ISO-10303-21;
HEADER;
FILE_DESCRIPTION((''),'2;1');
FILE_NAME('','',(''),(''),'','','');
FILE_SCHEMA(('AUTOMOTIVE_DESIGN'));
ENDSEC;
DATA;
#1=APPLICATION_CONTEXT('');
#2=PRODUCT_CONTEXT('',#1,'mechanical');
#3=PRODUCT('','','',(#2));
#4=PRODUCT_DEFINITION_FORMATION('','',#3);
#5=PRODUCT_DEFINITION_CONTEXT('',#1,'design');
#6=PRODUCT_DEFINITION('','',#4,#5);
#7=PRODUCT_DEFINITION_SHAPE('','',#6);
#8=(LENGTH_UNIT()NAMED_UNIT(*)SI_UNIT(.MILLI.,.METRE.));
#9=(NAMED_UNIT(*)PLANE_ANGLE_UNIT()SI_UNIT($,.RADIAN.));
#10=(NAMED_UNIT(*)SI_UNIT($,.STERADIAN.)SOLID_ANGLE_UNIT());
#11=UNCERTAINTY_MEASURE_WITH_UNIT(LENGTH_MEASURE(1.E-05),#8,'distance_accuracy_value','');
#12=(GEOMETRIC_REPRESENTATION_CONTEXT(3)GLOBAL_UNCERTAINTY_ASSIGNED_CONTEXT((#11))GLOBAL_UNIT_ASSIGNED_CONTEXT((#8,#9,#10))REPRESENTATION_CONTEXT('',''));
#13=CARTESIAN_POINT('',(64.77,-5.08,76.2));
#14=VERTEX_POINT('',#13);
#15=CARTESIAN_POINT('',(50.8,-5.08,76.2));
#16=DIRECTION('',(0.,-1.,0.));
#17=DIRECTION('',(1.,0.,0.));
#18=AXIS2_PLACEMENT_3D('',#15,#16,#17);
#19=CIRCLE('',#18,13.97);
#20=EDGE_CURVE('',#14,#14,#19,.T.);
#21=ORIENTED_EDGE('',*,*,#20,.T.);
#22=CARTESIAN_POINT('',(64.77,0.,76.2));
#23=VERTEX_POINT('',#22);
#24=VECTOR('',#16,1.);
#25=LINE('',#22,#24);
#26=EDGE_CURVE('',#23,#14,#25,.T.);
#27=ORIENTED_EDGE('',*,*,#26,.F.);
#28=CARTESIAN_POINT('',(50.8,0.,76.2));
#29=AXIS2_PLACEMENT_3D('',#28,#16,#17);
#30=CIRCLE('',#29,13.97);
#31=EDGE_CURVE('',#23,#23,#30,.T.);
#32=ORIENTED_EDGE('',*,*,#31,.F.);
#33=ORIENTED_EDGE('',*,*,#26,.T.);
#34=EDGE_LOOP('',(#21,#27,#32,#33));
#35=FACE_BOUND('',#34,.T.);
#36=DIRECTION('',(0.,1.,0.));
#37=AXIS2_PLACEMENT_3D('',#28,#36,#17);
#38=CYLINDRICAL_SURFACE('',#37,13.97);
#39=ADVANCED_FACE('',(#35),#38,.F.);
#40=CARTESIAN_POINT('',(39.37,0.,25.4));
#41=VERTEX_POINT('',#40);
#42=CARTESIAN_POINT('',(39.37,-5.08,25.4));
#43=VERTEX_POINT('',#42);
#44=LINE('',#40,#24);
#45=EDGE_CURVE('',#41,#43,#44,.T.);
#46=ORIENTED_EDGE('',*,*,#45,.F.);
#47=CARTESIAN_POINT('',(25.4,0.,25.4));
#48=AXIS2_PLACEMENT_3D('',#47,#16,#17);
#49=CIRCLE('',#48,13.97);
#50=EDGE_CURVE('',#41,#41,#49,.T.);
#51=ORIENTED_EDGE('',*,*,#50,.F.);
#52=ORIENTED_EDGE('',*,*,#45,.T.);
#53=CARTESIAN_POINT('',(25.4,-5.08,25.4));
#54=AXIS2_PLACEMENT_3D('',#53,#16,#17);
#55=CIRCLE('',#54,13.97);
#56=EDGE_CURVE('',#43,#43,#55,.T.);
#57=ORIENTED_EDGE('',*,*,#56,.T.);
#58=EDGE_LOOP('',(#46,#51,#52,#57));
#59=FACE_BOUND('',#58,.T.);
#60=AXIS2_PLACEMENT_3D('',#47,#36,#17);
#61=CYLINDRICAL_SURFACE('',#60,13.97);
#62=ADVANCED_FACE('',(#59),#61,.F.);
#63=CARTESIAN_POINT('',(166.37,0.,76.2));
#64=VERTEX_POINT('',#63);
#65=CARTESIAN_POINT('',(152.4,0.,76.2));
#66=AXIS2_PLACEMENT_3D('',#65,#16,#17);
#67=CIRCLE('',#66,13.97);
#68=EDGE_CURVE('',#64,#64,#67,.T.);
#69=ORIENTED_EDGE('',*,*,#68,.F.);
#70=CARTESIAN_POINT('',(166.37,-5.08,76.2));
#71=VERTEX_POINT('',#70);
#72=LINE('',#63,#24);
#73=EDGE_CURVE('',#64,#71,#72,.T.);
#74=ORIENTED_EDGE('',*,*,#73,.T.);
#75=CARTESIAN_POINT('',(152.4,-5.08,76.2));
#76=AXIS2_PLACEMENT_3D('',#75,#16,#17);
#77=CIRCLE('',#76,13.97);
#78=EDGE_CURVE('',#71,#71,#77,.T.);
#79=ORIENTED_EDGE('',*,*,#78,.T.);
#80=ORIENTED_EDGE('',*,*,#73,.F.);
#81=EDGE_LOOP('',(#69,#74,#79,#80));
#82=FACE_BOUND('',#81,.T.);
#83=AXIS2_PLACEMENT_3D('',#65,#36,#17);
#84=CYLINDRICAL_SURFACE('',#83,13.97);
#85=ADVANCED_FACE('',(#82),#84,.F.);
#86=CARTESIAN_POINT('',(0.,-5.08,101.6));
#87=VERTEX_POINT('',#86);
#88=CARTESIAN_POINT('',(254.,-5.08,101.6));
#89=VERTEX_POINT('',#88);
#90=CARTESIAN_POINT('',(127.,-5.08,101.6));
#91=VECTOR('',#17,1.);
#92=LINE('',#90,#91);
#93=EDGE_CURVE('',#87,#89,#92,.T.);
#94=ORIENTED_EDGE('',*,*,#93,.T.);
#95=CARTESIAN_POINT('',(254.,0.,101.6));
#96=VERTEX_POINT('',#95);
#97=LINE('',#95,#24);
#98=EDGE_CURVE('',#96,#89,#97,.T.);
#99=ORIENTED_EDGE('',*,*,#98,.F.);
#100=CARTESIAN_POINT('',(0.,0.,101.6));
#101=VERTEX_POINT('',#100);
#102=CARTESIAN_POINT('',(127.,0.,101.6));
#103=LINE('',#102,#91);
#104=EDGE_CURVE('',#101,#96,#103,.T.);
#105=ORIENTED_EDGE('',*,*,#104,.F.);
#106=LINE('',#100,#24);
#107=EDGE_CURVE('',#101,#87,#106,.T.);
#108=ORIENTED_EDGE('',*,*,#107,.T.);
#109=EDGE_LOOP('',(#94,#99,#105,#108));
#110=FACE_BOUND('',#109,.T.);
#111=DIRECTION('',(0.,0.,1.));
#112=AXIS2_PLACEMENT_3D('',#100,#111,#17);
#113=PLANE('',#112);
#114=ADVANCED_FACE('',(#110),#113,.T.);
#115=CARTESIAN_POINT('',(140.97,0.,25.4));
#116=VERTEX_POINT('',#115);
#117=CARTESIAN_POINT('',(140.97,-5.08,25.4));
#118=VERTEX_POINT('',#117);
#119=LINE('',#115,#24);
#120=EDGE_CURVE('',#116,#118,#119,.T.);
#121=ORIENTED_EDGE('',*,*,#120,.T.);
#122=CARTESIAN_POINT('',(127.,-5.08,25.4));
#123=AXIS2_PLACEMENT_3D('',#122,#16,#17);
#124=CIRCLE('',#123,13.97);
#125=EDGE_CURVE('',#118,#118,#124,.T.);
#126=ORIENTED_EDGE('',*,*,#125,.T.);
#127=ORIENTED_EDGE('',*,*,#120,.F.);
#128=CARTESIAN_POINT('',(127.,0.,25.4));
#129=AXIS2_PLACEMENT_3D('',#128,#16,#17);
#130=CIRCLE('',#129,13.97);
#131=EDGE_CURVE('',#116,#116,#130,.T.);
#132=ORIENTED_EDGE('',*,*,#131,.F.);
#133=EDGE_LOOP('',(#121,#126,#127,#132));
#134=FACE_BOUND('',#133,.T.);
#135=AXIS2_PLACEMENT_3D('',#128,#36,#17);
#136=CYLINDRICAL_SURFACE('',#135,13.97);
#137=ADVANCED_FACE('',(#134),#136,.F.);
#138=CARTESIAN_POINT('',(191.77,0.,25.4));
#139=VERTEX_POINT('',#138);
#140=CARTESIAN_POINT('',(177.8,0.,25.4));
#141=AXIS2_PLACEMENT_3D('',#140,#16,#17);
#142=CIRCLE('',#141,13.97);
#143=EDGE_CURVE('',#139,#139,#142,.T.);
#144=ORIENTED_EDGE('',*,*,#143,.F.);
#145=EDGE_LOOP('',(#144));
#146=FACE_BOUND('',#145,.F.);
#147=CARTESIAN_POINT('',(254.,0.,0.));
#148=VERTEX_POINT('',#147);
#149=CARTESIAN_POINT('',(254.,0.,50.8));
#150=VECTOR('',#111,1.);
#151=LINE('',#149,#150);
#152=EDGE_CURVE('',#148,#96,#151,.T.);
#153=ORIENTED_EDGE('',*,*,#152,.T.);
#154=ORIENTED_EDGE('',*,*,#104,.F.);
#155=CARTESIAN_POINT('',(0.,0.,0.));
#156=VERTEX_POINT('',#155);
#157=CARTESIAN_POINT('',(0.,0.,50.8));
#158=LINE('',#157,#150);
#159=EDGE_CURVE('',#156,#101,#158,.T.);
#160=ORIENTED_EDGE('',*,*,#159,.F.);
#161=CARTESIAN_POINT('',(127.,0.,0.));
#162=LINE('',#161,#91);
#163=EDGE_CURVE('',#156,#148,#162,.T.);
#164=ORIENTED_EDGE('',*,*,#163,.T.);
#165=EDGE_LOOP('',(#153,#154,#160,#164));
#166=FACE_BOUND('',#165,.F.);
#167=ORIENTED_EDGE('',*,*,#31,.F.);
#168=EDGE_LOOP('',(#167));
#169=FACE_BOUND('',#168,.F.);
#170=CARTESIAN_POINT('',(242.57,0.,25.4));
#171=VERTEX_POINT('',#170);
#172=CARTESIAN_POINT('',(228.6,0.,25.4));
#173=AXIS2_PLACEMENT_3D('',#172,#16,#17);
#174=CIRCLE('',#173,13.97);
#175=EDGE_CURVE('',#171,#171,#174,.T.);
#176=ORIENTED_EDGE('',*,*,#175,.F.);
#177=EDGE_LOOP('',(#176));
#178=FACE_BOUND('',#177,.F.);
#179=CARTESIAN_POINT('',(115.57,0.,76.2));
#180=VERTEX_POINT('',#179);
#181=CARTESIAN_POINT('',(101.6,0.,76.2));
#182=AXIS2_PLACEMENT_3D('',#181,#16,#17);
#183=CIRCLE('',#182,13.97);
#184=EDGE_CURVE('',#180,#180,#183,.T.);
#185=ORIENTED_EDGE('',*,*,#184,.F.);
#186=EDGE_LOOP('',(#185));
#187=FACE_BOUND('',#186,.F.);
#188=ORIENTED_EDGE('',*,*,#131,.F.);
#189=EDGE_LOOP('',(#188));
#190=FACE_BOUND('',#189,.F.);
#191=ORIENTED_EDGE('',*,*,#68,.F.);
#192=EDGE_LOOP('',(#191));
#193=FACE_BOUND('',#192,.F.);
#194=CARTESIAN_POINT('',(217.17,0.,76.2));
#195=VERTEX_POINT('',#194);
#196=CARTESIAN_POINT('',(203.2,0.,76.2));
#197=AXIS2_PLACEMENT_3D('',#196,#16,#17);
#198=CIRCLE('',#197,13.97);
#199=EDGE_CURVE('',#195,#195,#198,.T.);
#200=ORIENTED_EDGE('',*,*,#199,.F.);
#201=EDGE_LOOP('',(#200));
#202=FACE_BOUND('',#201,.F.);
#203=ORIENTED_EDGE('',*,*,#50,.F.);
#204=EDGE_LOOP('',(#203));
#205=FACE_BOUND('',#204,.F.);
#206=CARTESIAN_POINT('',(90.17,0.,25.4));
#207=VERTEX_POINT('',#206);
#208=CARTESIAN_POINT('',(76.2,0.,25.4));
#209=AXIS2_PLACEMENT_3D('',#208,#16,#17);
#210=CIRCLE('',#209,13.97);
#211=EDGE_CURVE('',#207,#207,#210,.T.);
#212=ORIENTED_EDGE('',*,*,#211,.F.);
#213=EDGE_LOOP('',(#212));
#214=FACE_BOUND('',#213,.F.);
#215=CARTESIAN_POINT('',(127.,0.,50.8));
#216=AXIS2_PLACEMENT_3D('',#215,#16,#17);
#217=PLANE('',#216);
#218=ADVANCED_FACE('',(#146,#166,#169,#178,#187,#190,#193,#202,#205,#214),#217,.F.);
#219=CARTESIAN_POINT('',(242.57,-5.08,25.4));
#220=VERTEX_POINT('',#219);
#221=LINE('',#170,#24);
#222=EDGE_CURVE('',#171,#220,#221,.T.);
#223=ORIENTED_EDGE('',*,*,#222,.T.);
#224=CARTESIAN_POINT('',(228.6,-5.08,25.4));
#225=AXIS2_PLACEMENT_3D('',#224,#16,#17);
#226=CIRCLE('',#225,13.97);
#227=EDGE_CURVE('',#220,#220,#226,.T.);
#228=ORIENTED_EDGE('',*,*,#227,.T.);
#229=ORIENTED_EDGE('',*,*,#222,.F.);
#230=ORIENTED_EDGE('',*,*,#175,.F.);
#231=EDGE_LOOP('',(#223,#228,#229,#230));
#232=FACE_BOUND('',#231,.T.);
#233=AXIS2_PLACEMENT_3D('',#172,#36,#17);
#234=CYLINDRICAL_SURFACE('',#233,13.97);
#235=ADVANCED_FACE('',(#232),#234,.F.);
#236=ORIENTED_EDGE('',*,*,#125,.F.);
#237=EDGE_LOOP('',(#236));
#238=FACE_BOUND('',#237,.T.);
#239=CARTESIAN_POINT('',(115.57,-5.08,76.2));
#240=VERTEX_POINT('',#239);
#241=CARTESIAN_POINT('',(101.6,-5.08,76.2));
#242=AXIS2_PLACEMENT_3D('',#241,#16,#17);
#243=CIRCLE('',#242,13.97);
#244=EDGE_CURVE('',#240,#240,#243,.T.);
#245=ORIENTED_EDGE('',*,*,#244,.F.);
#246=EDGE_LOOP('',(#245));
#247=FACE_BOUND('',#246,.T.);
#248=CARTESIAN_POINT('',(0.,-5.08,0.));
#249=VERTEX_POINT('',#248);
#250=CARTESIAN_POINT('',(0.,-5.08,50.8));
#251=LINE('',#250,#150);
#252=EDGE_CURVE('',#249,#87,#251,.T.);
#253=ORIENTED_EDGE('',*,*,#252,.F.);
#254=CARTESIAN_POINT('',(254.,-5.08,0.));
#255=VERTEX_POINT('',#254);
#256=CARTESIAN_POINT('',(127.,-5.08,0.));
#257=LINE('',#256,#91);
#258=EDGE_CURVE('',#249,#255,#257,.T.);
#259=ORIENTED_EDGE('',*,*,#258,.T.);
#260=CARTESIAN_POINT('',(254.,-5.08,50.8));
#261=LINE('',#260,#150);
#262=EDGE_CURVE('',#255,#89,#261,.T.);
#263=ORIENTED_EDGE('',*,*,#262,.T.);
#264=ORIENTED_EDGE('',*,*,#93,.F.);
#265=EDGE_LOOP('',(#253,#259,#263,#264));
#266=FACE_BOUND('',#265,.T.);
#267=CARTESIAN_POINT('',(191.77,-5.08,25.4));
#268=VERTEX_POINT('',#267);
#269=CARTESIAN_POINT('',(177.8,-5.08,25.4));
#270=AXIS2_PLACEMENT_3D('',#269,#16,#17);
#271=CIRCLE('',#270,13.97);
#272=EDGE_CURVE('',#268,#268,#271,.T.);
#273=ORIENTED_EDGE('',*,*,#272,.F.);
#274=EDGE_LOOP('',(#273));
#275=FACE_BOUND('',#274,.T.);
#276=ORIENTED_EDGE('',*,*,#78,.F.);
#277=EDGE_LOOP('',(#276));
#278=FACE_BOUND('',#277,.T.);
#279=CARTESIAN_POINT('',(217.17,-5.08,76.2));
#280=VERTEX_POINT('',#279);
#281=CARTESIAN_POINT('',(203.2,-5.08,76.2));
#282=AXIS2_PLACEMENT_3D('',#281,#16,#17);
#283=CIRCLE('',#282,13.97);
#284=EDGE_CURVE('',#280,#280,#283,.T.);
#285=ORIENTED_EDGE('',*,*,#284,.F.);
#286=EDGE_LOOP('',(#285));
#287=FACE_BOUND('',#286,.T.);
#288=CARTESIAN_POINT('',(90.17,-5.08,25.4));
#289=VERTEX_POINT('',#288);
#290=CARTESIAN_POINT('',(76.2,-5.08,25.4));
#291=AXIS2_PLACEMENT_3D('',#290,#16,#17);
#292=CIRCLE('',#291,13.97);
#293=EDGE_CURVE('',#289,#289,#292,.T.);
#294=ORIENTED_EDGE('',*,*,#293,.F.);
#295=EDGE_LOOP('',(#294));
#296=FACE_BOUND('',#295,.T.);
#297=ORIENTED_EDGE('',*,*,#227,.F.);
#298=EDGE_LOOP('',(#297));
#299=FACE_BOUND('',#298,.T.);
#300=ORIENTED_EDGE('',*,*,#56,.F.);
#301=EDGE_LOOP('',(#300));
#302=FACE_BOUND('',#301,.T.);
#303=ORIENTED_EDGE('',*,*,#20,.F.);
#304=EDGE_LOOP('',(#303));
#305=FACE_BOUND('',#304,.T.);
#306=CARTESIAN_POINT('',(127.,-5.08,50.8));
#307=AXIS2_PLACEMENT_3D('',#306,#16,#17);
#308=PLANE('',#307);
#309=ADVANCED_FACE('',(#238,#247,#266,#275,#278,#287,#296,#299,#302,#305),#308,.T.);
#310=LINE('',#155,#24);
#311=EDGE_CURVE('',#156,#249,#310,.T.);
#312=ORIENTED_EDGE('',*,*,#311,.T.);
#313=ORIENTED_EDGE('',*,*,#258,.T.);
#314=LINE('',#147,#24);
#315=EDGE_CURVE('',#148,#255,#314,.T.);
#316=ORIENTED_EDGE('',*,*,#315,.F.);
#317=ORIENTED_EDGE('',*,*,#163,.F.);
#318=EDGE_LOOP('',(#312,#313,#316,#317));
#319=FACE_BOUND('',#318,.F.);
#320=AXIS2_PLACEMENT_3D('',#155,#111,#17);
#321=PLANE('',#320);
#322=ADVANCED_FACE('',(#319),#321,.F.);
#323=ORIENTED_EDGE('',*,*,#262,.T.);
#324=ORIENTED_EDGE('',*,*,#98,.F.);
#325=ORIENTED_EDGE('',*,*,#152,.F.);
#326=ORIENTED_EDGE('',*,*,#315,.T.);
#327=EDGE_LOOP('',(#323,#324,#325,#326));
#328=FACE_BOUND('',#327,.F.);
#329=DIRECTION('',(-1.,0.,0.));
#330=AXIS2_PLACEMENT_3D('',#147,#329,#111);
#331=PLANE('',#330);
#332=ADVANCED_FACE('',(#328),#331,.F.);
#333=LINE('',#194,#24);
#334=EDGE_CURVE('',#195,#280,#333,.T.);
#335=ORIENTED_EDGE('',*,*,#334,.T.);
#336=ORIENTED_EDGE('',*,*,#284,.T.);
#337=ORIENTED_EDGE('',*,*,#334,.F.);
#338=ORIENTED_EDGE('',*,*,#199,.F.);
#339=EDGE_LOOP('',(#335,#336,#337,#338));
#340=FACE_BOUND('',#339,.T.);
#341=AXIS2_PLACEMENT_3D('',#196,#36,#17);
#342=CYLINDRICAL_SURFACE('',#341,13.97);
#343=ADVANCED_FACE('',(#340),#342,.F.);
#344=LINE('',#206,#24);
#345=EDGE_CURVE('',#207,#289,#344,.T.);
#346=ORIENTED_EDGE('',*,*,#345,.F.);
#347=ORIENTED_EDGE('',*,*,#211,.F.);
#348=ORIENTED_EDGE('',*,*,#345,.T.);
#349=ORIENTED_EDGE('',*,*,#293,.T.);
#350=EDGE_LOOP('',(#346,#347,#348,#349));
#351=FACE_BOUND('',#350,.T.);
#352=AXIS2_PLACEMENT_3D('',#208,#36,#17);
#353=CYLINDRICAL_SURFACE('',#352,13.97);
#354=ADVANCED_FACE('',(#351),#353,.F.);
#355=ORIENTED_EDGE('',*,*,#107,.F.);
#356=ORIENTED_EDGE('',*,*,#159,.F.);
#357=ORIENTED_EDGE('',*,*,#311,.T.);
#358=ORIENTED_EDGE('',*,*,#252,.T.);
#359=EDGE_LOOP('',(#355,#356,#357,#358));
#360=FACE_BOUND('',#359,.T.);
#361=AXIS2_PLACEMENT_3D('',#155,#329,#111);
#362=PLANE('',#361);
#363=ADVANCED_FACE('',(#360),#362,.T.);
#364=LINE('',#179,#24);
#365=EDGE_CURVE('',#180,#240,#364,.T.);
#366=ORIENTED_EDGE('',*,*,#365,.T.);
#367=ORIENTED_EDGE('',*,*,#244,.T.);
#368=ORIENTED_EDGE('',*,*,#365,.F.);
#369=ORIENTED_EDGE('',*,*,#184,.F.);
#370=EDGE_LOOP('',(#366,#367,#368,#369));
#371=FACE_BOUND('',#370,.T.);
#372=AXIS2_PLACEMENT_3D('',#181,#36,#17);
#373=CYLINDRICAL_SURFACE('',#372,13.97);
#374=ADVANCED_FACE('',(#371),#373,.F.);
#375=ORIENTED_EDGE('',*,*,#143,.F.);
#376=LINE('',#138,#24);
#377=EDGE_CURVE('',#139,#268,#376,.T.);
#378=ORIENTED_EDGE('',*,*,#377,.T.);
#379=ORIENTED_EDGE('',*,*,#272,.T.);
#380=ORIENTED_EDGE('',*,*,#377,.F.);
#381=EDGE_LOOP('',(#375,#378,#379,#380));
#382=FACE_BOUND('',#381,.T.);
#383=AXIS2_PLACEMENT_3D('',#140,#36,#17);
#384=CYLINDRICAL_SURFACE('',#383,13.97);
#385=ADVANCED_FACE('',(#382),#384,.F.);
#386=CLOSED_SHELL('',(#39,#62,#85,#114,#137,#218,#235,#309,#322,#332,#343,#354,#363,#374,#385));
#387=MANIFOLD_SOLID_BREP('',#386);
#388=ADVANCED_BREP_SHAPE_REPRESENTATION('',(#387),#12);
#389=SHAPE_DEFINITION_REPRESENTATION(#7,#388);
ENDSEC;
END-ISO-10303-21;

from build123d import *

# Parameters (mm, degrees)
F0_W     = 254
F0_H     = 101.6
F0_R     = 13.97
F1_DEPTH = 5.08


with BuildPart() as f1:
    # F0 (on Front) → F1 (new body)
    with BuildSketch(Plane.XZ):
        with Locations((127, 50.8)):
            Rectangle(F0_W, F0_H)
        with Locations((25.4, 25.4)):
            Circle(F0_R, mode=Mode.SUBTRACT)
        with Locations((76.2, 25.4)):
            Circle(F0_R, mode=Mode.SUBTRACT)
        with Locations((127, 25.4)):
            Circle(F0_R, mode=Mode.SUBTRACT)
        with Locations((177.8, 25.4)):
            Circle(F0_R, mode=Mode.SUBTRACT)
        with Locations((228.6, 25.4)):
            Circle(F0_R, mode=Mode.SUBTRACT)
        with Locations((50.8, 76.2)):
            Circle(F0_R, mode=Mode.SUBTRACT)
        with Locations((101.6, 76.2)):
            Circle(F0_R, mode=Mode.SUBTRACT)
        with Locations((152.4, 76.2)):
            Circle(F0_R, mode=Mode.SUBTRACT)
        with Locations((203.2, 76.2)):
            Circle(F0_R, mode=Mode.SUBTRACT)
    extrude(amount=F1_DEPTH)


solid = f1.part
